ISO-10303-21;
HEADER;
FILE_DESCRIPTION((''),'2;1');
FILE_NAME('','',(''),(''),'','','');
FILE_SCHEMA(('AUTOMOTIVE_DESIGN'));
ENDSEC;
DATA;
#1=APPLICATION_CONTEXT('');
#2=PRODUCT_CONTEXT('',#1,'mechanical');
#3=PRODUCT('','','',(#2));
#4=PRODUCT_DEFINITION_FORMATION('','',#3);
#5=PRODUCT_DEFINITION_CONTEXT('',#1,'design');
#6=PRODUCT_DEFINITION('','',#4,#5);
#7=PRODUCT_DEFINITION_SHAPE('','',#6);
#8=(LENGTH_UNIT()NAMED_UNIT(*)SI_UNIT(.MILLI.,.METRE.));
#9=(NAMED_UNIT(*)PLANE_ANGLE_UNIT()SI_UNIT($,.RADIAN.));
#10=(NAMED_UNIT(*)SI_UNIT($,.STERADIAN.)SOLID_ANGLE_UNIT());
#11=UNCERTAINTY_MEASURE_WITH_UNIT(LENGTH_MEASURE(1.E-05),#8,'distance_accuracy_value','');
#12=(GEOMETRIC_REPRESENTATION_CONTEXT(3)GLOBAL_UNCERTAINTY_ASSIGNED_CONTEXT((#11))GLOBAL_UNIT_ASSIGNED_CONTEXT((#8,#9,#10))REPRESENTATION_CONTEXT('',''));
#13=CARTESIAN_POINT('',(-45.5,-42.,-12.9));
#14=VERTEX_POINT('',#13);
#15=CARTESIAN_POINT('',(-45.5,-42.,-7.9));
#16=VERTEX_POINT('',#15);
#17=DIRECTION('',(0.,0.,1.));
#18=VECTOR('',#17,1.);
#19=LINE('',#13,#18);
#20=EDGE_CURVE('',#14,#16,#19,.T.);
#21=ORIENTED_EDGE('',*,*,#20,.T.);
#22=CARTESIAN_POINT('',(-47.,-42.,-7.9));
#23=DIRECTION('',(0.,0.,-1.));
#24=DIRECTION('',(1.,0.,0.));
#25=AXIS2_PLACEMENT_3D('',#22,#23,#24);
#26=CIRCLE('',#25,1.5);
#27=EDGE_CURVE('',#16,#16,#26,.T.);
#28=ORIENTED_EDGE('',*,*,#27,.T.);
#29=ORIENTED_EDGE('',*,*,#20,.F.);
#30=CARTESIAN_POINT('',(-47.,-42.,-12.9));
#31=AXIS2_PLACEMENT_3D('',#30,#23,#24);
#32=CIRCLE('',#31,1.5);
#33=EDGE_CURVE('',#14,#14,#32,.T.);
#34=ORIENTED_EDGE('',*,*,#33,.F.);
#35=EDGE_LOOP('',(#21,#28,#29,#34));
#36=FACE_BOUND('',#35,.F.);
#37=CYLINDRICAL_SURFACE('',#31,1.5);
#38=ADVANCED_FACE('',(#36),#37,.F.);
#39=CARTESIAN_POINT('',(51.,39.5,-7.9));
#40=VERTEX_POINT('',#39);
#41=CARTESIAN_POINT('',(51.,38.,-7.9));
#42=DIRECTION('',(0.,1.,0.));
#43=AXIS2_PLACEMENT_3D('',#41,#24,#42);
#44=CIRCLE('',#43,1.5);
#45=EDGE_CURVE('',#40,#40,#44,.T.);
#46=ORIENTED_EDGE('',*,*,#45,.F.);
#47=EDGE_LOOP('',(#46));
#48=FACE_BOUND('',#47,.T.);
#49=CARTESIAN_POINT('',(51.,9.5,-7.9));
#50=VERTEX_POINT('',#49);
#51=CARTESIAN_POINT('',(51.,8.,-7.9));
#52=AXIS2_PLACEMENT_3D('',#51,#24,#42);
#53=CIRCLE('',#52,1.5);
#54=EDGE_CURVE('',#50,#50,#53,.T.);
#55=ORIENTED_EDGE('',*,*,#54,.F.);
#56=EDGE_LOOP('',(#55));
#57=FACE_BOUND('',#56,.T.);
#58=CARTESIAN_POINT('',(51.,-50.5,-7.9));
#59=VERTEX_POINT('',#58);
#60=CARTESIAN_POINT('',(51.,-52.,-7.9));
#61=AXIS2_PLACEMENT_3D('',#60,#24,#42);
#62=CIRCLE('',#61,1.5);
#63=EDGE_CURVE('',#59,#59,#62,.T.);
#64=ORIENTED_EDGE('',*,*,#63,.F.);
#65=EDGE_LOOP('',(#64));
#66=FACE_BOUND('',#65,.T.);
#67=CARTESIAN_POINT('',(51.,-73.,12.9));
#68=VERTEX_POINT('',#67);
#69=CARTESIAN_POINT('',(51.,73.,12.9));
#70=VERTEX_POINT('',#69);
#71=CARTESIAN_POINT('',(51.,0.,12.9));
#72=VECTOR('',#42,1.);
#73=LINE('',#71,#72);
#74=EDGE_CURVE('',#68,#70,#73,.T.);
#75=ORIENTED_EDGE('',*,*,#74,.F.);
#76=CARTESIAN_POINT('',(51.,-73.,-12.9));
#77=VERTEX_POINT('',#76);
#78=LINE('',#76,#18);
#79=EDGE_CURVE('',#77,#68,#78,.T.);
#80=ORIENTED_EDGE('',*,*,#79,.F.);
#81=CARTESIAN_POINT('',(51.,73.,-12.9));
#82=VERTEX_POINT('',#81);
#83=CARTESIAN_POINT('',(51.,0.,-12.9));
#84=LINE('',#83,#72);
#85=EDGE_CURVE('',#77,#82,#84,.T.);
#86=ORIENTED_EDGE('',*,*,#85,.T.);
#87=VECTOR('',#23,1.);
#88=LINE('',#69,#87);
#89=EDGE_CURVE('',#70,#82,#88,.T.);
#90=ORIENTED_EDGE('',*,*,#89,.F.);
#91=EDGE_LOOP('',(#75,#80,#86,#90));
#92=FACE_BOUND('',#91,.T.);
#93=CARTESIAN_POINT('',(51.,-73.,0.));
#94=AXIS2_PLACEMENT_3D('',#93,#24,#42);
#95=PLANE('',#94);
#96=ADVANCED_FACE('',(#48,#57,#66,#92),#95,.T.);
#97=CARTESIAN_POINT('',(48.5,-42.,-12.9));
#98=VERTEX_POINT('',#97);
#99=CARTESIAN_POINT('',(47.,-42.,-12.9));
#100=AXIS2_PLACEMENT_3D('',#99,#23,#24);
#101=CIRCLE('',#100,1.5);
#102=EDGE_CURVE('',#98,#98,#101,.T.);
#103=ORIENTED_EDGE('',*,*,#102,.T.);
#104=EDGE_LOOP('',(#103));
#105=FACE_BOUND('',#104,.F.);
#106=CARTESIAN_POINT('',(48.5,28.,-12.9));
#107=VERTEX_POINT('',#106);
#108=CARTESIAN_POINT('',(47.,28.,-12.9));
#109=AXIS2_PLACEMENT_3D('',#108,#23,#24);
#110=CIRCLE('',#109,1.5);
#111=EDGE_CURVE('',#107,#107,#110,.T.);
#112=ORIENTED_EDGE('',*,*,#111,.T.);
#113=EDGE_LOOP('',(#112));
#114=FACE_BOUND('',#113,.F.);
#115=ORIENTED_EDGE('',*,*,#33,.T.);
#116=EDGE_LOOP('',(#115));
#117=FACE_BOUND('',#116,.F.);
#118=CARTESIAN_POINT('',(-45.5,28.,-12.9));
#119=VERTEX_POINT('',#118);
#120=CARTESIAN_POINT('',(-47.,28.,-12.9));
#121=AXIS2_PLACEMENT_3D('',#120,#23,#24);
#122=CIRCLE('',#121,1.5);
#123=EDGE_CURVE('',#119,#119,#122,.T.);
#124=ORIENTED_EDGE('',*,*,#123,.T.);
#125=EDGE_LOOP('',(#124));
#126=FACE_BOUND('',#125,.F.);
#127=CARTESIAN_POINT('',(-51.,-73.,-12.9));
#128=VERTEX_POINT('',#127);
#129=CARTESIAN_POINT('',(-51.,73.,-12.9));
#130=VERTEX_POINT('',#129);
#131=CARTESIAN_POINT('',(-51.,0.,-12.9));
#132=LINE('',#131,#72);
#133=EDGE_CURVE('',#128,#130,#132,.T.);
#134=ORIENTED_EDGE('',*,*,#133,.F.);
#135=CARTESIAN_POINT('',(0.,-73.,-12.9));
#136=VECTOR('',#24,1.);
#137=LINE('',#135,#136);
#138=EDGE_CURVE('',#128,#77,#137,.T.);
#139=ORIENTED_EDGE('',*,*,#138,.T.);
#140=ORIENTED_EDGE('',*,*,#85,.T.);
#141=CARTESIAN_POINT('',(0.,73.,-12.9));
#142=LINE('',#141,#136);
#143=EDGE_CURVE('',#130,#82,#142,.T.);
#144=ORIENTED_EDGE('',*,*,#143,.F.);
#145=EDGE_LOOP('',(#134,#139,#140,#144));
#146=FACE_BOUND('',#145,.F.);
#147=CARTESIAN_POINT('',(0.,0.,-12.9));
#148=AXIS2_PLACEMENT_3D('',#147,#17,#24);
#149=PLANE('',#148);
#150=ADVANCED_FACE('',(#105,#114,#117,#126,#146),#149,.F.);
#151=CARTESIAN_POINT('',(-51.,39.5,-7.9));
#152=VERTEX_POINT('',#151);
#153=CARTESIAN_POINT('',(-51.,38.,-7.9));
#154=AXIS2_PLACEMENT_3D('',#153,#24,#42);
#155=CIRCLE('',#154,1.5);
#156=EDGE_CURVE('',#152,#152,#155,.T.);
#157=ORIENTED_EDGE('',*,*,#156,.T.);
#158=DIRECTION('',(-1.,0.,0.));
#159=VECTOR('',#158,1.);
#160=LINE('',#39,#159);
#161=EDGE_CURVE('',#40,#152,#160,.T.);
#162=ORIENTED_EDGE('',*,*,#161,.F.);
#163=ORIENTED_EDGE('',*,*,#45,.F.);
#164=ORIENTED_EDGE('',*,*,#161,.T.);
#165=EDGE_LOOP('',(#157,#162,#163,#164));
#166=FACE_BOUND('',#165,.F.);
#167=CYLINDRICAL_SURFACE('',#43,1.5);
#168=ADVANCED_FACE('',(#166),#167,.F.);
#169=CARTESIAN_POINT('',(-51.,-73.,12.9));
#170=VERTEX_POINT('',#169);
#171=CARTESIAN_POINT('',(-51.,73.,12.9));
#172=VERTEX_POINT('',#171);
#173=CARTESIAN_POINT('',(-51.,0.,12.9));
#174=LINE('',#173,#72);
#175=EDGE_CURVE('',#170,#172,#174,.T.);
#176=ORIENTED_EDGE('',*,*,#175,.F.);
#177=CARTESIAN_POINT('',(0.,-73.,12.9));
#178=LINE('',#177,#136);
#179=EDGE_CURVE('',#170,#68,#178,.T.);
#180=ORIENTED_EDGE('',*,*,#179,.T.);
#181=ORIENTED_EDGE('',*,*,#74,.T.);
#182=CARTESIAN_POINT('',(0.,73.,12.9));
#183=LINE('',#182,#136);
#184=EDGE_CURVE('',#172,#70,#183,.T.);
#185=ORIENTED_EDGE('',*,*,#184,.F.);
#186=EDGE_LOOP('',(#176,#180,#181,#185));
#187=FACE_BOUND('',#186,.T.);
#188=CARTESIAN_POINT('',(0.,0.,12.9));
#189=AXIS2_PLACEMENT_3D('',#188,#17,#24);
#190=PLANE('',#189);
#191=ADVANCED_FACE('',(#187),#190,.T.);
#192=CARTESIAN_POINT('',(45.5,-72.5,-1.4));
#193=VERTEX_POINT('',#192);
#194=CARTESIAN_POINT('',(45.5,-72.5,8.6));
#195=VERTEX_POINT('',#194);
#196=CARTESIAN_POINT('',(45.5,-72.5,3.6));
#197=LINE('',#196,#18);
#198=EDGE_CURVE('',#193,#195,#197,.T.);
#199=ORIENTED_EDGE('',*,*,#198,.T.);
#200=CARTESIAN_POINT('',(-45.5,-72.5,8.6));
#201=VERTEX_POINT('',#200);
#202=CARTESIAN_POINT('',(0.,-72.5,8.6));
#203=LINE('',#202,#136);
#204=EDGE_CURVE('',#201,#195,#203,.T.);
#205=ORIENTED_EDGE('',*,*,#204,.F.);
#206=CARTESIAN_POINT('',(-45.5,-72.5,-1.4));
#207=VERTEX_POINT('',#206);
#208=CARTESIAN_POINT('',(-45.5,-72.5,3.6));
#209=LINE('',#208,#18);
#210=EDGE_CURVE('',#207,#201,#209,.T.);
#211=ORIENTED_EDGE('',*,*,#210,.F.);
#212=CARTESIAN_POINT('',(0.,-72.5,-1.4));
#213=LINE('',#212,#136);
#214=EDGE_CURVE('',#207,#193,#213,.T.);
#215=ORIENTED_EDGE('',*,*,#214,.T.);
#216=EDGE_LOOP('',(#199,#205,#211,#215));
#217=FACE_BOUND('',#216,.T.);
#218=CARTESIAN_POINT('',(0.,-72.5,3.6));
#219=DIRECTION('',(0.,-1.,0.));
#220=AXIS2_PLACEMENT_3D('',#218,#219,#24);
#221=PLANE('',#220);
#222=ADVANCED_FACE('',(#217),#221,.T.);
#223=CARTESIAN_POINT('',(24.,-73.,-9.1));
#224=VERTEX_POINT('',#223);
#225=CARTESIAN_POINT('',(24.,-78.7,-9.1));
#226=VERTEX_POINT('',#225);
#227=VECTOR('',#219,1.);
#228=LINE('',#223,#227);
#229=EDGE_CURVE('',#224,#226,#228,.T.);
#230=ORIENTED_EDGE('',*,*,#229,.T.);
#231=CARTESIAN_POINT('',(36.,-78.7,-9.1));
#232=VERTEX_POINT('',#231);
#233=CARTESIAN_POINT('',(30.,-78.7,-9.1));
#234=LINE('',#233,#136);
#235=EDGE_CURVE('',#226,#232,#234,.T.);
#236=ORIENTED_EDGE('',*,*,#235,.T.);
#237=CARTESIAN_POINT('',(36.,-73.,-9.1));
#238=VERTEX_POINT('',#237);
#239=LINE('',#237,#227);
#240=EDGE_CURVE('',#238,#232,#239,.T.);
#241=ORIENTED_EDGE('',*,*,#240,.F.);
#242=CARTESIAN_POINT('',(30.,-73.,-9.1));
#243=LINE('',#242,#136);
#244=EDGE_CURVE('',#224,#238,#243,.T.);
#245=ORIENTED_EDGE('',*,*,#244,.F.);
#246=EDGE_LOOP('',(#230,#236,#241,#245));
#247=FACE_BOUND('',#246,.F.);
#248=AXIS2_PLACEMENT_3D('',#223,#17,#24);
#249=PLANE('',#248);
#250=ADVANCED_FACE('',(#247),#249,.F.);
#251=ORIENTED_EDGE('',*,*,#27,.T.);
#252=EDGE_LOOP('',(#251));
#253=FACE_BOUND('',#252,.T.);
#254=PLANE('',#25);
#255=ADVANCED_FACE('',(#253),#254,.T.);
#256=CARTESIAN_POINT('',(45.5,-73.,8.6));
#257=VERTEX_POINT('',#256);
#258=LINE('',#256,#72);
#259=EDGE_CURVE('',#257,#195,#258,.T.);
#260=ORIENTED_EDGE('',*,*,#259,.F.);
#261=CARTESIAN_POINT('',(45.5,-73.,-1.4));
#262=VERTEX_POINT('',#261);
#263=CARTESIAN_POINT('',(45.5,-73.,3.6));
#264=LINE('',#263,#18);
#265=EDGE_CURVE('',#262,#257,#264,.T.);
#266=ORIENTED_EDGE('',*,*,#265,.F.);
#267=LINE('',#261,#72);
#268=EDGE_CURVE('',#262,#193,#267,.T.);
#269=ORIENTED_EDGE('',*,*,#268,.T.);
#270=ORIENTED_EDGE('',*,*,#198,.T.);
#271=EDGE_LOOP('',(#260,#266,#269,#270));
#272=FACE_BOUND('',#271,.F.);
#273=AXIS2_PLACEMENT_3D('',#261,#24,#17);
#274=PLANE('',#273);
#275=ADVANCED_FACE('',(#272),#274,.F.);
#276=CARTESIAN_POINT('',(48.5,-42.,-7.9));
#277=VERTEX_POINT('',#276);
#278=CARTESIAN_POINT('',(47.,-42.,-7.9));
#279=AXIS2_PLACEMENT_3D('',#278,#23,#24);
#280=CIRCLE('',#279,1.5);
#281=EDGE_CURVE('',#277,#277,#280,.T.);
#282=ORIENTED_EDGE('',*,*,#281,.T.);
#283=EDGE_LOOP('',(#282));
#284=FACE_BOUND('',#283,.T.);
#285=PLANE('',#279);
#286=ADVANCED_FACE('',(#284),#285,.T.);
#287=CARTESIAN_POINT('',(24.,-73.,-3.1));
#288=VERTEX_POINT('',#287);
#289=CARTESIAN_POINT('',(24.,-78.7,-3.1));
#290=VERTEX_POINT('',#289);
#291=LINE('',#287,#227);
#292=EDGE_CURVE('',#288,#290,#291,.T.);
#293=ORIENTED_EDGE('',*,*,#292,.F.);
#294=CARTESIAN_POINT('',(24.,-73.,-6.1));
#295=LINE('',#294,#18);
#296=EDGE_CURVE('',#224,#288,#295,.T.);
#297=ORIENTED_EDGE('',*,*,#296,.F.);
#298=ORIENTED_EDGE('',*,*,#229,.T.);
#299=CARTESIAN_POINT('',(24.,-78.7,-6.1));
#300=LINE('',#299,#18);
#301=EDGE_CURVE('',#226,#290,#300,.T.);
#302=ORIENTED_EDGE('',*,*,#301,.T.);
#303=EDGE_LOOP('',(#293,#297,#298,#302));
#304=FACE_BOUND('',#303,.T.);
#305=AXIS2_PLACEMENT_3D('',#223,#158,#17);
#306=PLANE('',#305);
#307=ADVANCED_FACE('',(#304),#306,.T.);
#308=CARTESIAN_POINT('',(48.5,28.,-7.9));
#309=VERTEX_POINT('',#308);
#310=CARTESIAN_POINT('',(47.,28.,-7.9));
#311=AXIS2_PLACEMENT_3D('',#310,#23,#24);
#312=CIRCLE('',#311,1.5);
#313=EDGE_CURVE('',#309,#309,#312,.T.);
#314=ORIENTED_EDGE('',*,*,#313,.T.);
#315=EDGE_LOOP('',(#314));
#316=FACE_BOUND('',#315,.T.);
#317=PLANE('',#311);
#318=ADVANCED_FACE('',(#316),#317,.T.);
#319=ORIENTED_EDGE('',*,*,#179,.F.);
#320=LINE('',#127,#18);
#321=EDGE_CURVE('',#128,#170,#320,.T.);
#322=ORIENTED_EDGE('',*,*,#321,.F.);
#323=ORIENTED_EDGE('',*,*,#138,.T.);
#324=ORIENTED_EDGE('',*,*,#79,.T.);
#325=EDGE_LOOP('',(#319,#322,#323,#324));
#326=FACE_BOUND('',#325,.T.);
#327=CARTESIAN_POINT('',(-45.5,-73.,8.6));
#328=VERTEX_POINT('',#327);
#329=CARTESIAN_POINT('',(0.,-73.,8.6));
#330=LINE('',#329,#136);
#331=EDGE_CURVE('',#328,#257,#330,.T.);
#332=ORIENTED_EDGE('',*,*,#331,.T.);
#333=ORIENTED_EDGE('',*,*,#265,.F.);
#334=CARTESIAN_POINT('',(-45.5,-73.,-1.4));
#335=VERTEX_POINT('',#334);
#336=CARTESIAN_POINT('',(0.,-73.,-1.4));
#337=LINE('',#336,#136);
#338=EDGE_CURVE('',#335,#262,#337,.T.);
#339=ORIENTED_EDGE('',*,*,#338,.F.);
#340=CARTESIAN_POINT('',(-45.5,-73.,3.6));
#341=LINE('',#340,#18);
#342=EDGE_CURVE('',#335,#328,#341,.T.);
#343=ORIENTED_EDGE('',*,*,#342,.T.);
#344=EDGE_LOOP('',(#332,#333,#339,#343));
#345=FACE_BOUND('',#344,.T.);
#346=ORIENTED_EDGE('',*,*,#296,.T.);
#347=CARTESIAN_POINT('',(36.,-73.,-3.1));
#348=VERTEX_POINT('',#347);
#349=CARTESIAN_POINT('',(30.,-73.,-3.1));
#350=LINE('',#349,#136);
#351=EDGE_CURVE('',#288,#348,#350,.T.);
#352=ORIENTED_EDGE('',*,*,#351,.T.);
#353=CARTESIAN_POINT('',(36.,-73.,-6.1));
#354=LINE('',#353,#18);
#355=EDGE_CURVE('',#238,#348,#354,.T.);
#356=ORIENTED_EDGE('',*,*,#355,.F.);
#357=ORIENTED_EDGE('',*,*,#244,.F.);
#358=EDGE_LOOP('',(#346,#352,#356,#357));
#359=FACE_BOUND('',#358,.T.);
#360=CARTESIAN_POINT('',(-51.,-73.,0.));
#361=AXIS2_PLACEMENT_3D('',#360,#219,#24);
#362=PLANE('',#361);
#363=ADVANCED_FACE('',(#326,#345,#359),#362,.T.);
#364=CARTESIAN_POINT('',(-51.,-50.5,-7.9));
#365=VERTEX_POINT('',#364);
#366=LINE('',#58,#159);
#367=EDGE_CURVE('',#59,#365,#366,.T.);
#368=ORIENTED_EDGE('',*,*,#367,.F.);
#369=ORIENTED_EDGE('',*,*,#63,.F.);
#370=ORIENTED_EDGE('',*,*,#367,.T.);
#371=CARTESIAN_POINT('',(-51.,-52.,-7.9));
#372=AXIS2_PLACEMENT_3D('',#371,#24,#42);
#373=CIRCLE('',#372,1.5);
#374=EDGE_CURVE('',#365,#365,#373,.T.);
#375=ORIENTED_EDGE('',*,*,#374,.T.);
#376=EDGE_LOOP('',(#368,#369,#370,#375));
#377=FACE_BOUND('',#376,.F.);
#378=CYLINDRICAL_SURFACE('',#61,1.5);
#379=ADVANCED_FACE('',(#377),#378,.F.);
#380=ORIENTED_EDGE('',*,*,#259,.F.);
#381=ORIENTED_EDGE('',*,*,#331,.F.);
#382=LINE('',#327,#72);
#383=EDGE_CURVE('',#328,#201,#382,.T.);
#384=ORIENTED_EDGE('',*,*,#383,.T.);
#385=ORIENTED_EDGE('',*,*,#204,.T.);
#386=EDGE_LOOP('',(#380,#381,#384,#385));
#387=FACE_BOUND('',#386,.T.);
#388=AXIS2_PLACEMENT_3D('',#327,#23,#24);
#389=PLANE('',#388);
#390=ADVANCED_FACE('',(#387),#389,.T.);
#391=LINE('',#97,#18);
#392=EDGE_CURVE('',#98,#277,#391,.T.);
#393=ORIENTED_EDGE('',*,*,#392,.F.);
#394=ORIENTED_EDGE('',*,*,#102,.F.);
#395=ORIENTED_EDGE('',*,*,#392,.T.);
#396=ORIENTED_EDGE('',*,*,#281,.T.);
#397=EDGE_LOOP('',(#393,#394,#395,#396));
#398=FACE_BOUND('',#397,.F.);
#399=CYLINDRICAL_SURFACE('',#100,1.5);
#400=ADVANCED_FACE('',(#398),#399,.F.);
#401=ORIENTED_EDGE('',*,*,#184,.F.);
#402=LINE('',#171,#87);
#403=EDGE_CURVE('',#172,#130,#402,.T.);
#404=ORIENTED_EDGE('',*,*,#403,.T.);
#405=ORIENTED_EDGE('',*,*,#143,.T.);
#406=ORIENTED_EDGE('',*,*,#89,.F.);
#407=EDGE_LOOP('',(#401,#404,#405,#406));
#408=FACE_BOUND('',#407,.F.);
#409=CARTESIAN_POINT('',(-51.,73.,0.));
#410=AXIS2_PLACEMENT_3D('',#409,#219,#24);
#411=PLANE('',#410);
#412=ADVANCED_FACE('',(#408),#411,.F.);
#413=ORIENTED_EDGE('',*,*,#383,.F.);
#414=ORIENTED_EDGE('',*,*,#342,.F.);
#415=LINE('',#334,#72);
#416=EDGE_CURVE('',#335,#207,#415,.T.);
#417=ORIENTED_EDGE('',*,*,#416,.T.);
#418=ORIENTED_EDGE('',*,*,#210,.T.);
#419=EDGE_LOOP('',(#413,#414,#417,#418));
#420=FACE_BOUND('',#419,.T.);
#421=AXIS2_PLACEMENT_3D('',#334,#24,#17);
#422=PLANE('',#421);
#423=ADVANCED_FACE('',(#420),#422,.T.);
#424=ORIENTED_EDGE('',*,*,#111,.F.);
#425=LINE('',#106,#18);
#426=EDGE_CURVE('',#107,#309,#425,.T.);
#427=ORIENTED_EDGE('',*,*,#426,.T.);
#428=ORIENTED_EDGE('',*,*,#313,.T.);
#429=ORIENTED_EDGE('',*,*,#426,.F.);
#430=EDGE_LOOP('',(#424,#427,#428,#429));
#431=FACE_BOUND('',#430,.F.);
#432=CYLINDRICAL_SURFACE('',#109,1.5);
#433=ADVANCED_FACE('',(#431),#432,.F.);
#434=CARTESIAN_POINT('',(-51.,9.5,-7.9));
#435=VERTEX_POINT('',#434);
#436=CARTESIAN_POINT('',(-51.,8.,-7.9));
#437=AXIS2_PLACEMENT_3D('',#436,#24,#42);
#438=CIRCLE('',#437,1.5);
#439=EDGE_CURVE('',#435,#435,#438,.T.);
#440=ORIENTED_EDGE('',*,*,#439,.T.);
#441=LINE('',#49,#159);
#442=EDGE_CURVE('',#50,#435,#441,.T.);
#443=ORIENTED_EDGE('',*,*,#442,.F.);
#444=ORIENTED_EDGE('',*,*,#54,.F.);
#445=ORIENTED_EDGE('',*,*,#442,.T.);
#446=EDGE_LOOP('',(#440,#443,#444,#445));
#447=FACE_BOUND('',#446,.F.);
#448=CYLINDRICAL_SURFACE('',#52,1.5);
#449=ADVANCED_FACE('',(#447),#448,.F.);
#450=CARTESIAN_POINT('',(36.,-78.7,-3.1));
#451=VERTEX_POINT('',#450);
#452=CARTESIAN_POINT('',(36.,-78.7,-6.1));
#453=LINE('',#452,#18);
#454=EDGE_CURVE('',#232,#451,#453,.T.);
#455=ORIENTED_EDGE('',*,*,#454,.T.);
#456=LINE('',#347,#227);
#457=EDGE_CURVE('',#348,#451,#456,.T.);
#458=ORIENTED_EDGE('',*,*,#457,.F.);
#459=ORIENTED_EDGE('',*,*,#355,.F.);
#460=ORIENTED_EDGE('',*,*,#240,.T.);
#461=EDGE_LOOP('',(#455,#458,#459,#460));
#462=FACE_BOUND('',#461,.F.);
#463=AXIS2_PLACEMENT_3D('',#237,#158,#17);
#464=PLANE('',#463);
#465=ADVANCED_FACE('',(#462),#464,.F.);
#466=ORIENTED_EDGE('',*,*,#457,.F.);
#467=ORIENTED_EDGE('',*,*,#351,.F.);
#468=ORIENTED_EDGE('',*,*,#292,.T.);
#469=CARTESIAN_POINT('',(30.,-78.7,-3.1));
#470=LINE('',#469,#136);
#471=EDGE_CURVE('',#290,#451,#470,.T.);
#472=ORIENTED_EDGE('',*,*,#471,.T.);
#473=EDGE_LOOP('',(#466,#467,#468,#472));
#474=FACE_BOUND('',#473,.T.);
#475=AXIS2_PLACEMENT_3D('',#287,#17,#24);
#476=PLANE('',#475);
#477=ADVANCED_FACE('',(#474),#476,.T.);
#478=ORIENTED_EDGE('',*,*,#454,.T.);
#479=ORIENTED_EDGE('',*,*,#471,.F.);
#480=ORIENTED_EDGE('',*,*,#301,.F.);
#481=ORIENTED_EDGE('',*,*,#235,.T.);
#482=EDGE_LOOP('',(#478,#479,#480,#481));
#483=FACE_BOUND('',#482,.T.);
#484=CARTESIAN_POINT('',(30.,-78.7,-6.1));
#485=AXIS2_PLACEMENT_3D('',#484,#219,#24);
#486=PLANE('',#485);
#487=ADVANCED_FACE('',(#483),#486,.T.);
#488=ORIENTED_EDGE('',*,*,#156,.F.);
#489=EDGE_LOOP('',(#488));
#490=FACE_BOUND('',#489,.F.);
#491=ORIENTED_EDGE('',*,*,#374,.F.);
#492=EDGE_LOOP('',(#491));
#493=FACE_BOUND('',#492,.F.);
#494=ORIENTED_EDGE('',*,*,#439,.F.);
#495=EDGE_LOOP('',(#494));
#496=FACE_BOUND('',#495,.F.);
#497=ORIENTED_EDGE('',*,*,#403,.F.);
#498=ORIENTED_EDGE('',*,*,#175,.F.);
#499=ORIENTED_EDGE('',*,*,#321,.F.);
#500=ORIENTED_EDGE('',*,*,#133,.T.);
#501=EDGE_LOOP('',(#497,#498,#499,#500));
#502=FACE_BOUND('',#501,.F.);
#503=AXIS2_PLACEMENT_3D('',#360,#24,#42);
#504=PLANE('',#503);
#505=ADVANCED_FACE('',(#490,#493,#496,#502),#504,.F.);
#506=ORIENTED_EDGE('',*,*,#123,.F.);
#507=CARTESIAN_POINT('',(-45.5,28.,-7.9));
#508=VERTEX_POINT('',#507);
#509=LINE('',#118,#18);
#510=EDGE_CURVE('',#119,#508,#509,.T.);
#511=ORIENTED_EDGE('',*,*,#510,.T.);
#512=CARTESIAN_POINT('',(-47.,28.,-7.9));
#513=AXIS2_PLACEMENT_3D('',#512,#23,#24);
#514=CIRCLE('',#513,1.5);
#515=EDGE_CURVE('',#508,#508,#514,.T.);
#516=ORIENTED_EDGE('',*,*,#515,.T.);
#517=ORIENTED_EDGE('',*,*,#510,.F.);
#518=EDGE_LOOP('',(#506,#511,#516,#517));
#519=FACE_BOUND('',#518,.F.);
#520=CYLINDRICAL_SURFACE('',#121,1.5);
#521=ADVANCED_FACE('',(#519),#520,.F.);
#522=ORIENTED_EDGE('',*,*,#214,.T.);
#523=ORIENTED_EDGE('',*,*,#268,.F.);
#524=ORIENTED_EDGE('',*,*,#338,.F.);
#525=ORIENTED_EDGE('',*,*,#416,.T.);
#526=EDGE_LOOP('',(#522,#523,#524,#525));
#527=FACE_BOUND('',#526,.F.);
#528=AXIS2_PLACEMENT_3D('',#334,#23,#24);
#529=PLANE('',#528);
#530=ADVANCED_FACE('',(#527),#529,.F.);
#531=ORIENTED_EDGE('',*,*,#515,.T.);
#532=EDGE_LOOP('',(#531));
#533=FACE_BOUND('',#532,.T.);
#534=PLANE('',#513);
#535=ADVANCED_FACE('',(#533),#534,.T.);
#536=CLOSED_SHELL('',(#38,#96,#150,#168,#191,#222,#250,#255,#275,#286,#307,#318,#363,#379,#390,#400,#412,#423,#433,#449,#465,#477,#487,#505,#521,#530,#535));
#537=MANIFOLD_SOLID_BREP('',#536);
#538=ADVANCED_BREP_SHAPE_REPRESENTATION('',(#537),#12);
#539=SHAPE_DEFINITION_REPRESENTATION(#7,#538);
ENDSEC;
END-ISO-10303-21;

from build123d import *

# Parameters (mm, degrees)
SKETCH_W        = 102
SKETCH_H        = 146
PAD_DEPTH       = 12.9
SKETCH010_R     = 1.5
POCKET_DEPTH    = 102
SKETCH012_R     = 1.5
POCKET005_DEPTH = 5
SKETCH003_W     = 12
SKETCH003_H     = 6
PAD004_DEPTH    = 5.7
SKETCH004_W     = 91
SKETCH004_H     = 10
POCKET007_DEPTH = 0.5


with BuildPart() as part:
    # Sketch → Pad (new body, symmetric)
    with BuildSketch(Plane.XY):
        Rectangle(SKETCH_W, SKETCH_H)
    extrude(amount=PAD_DEPTH, both=True)

    # Sketch010 (on Face3 of Pad) → Pocket (cut)
    with BuildSketch(Plane.YZ.offset(51)):
        with Locations((-52, -7.9)):
            Circle(SKETCH010_R)
        with Locations((8, -7.9)):
            Circle(SKETCH010_R)
        with Locations((38, -7.9)):
            Circle(SKETCH010_R)
    extrude(amount=-POCKET_DEPTH, mode=Mode.SUBTRACT)

    # Sketch012 (on Face3 of Pocket) → Pocket005 (cut)
    with BuildSketch(Plane(origin=(0, 0, -12.9), x_dir=(1, 0, 0), z_dir=(0, 0, -1))):
        with Locations((-47, 42)):
            Circle(SKETCH012_R)
        with Locations((47, 42)):
            Circle(SKETCH012_R)
        with Locations((-47, -28)):
            Circle(SKETCH012_R)
        with Locations((47, -28)):
            Circle(SKETCH012_R)
    extrude(amount=-POCKET005_DEPTH, mode=Mode.SUBTRACT)

    # Sketch003 (on Face2 of Pad) → Pad004 (join)
    with BuildSketch(Plane.XZ.offset(73)):
        with Locations((30, -6.1)):
            Rectangle(SKETCH003_W, SKETCH003_H)
    extrude(amount=PAD004_DEPTH)

    # Sketch004 (on Face2 of Pad) → Pocket007 (cut)
    with BuildSketch(Plane.XZ.offset(73)):
        with Locations((0, 3.6)):
            Rectangle(SKETCH004_W, SKETCH004_H)
    extrude(amount=-POCKET007_DEPTH, mode=Mode.SUBTRACT)


solid = part.part
